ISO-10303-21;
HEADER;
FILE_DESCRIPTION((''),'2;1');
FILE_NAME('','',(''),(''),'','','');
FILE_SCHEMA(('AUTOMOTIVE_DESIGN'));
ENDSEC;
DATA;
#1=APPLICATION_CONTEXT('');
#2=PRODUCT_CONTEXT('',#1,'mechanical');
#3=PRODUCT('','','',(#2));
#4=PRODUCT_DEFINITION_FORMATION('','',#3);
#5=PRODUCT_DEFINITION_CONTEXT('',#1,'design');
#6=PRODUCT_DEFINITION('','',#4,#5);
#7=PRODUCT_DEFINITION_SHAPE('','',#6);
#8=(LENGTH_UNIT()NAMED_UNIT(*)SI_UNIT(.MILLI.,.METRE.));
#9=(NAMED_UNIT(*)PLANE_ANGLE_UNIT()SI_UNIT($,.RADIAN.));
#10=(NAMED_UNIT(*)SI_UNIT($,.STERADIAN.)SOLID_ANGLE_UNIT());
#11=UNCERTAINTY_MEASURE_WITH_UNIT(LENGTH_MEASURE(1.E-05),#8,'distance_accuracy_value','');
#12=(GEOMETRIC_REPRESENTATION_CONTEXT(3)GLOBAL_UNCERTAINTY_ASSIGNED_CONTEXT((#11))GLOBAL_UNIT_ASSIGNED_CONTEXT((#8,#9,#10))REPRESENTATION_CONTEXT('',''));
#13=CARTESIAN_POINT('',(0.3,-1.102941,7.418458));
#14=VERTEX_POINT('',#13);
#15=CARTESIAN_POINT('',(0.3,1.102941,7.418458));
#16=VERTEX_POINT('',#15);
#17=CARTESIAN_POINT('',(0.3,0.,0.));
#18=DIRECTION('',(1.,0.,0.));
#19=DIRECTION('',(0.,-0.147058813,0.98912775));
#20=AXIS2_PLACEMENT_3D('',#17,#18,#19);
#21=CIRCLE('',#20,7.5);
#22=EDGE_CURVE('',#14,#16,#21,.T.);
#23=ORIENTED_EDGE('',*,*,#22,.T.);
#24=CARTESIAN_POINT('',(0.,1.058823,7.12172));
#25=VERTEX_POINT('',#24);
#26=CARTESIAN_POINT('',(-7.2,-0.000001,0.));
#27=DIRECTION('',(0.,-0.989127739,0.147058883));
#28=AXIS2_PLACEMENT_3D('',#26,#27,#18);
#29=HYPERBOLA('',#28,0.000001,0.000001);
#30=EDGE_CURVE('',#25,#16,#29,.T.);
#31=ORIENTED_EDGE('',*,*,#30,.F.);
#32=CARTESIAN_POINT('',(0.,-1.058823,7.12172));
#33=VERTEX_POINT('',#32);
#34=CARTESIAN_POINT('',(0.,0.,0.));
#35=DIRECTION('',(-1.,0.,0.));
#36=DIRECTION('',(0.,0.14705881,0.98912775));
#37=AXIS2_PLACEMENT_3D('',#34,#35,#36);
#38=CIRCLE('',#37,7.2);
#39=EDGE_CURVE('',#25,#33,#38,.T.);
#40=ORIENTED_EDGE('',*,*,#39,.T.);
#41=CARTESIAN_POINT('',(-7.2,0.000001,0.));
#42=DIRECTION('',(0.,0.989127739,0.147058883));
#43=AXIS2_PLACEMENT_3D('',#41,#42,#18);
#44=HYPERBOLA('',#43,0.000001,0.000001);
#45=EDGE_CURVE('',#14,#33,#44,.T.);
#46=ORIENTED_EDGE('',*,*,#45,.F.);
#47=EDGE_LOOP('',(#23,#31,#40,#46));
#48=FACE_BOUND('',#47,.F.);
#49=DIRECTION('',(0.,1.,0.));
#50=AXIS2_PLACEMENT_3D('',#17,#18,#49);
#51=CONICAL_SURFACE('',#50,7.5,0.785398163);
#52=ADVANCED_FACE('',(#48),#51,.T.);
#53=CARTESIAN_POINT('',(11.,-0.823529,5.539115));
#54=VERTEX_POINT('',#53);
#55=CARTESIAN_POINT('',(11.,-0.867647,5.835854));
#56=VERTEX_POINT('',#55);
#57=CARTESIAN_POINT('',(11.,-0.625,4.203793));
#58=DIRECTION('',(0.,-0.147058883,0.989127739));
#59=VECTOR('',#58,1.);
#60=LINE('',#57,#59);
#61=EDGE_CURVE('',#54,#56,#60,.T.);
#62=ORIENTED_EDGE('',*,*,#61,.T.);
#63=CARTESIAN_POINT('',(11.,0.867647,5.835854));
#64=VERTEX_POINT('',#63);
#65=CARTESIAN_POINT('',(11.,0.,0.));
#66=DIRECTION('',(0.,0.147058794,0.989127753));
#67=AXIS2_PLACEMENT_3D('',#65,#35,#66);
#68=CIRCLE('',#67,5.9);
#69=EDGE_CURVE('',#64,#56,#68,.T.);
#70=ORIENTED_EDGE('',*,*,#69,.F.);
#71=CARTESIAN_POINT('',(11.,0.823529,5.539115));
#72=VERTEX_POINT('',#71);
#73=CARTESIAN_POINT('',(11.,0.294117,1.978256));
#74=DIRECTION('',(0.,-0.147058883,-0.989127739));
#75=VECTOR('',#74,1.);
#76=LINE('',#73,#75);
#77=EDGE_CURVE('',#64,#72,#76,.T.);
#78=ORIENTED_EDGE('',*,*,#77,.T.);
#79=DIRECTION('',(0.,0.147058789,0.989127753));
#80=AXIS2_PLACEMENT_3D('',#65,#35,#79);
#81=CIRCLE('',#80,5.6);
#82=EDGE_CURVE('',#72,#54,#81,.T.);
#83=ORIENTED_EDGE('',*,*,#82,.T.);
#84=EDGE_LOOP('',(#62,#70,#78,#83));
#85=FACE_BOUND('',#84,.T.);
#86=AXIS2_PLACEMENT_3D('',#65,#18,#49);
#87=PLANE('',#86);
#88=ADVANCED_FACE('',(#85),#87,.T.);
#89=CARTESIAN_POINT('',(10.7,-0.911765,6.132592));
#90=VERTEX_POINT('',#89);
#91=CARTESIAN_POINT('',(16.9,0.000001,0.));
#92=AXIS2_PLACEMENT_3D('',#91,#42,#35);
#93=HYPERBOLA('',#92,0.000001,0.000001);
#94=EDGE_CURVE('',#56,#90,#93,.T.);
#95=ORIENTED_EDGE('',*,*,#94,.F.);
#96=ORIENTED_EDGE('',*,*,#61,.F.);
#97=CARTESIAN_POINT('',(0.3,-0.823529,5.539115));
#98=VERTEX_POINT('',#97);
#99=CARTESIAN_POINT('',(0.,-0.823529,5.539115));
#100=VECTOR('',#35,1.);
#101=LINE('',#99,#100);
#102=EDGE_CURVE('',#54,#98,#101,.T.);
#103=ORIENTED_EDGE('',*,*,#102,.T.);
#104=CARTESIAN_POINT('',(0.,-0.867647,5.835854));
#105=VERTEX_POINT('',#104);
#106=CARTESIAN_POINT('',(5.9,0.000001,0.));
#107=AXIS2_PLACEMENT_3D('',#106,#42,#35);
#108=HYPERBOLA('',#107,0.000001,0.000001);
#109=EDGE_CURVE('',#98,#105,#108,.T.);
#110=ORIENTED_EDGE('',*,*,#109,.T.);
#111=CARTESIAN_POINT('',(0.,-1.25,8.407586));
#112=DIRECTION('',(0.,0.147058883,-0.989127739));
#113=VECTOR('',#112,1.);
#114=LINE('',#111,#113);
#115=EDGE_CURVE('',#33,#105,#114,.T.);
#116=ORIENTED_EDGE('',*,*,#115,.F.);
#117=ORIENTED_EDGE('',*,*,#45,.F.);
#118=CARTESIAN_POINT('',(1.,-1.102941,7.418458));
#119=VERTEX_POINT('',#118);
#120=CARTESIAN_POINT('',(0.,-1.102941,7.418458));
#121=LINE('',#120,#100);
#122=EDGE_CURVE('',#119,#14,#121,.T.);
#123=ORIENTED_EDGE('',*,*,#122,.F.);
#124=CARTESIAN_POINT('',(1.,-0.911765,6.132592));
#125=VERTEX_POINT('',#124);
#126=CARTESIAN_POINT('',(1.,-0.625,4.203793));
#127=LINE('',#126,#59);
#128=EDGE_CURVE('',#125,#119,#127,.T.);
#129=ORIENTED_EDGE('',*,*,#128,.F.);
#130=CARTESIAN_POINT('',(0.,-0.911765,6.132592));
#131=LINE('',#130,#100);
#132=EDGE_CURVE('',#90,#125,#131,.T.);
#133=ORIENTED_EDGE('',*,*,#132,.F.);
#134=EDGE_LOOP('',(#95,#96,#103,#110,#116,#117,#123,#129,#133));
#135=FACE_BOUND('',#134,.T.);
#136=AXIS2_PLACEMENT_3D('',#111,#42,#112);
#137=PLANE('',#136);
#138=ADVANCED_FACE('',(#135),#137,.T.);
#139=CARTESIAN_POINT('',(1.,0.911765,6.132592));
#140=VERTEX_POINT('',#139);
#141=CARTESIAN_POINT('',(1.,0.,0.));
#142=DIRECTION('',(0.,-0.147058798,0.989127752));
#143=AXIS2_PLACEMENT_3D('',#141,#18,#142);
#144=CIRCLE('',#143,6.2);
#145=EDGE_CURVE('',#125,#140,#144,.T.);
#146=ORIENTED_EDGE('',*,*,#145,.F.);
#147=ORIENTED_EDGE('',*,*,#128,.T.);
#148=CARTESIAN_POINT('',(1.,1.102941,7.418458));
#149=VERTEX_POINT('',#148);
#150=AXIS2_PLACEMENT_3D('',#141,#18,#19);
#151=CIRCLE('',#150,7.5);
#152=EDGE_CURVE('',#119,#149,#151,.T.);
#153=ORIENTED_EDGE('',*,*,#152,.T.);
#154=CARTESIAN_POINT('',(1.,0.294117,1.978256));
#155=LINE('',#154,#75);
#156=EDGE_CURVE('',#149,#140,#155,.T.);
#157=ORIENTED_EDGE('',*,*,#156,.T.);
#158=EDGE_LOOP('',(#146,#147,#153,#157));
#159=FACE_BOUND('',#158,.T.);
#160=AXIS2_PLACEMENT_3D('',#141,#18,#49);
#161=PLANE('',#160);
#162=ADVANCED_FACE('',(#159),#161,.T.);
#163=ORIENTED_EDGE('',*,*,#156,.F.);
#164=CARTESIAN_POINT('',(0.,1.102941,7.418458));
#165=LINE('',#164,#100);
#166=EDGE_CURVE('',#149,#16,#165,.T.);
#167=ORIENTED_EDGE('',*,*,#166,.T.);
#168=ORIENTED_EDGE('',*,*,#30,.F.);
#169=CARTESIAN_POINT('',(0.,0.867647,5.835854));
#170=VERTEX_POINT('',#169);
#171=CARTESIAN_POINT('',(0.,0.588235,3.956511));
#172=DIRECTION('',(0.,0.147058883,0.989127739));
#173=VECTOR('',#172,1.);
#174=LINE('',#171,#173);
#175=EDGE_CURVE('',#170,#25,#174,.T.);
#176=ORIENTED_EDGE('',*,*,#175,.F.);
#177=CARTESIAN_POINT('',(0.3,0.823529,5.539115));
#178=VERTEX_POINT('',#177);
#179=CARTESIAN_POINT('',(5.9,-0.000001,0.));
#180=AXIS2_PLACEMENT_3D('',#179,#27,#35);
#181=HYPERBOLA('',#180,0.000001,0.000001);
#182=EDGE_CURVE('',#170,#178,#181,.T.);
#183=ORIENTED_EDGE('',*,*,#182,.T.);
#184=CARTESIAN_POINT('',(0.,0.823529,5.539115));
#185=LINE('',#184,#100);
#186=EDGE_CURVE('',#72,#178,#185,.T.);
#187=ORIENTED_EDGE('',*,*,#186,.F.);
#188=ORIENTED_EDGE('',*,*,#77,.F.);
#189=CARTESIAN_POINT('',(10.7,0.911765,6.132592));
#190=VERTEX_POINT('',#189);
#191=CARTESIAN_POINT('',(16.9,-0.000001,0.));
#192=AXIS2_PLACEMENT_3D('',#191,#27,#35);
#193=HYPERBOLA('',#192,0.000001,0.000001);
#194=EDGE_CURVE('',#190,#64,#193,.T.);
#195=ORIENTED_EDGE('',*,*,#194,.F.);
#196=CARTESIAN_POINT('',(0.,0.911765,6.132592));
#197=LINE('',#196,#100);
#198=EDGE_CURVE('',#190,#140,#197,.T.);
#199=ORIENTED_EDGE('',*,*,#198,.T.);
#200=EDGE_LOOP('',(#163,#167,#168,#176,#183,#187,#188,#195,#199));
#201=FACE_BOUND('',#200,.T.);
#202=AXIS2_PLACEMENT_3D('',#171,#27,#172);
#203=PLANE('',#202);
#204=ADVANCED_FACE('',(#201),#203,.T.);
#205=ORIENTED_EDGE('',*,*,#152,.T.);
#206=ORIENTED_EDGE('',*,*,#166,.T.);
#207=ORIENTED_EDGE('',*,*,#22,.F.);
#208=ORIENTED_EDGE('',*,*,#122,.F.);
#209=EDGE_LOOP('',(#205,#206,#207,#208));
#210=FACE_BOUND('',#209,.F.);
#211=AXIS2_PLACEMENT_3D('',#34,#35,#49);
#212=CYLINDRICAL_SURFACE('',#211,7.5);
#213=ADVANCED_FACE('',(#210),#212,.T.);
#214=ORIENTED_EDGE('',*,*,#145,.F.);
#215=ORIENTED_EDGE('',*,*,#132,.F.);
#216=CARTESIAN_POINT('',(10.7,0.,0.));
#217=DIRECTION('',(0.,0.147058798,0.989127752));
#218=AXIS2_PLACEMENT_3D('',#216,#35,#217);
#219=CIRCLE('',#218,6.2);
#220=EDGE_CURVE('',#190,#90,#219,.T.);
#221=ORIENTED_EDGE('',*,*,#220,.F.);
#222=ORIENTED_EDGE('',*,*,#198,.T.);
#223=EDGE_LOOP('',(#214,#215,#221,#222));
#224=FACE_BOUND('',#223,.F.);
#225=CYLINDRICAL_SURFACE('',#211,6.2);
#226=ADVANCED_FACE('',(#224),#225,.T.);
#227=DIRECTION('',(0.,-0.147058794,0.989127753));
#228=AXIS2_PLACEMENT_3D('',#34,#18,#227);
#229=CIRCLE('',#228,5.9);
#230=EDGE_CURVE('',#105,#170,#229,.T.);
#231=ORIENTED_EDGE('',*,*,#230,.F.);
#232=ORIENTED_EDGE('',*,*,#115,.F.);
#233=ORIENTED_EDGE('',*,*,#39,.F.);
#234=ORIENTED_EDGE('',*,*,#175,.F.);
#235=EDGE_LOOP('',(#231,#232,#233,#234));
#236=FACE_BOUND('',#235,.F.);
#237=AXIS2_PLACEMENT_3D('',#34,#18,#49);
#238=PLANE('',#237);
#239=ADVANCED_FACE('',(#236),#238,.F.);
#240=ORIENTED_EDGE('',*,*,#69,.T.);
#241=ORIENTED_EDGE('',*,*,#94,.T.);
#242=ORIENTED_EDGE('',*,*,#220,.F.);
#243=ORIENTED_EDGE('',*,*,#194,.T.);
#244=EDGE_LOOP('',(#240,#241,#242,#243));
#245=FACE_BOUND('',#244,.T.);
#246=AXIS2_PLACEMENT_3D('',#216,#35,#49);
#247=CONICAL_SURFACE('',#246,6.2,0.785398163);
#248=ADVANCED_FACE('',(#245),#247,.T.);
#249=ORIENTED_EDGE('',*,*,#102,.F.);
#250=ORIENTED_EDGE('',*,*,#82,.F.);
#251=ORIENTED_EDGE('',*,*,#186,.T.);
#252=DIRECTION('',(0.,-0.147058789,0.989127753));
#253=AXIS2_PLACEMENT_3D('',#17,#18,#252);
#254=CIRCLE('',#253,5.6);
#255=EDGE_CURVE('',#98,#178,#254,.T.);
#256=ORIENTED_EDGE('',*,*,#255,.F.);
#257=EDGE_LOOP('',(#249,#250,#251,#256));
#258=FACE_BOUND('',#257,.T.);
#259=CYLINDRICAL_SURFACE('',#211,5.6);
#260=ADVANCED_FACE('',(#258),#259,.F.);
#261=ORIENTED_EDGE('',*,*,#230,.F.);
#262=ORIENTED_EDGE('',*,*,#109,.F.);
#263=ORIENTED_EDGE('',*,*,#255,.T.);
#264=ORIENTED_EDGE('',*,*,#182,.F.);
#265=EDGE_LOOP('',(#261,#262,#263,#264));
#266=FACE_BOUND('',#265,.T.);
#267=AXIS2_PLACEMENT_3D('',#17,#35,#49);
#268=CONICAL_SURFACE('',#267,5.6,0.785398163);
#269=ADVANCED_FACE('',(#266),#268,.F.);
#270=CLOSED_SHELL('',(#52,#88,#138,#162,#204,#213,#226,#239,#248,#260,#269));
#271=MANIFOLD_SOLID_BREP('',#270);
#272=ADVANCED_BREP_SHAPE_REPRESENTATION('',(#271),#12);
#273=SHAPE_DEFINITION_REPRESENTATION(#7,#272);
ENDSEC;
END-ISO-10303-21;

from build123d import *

# Parameters (mm, degrees)
F0_R     = 6.2
F0_R_2   = 5.6
F0_R_3   = 7.5
F1_DEPTH = 1
F2_DEPTH = 11
F3_DEPTH = 11.001
F4_SIZE  = 0.3
F6_DEPTH = 11.001


with BuildPart() as f1:
    # F0 (on Right) → F1 (new body)
    with BuildSketch(Plane.YZ):
        Circle(F0_R)
        Circle(F0_R_2, mode=Mode.SUBTRACT)
        Circle(F0_R_2)
        Circle(F0_R_3)
        Circle(F0_R, mode=Mode.SUBTRACT)
    extrude(amount=F1_DEPTH)

    # F0 (on Right) → F2 (join)
    with BuildSketch(Plane.YZ):
        Circle(F0_R)
        Circle(F0_R_2, mode=Mode.SUBTRACT)
    extrude(amount=F2_DEPTH)

    # F0 (on Right) → F3 (cut, through all)
    with BuildSketch(Plane.YZ):
        Circle(F0_R_2)
    extrude(amount=F3_DEPTH, mode=Mode.SUBTRACT)

    # F4
    f4_edges = [f1.edges().sort_by_distance(p)[0] for p in [
        (0, -5.6, 0),
        (11, -6.2, 0),
        (0, -7.5, 0),
    ]]
    chamfer(f4_edges, length=F4_SIZE)

    # F5 (on Right) → F6 (cut, through all)
    with BuildSketch(Plane.YZ):
        with BuildLine():
            Line((0.588235, 3.956511), (1.25, 8.407586))
            ThreePointArc((1.25, 8.407586), (0, 8.5), (-1.25, 8.407586))
            Line((-1.25, 8.407586), (-0.588235, 3.956511))
            ThreePointArc((-0.588235, 3.956511), (0, 4), (0.588235, 3.956511))
        make_face()
    extrude(amount=F6_DEPTH, mode=Mode.SUBTRACT)


solid = f1.part
